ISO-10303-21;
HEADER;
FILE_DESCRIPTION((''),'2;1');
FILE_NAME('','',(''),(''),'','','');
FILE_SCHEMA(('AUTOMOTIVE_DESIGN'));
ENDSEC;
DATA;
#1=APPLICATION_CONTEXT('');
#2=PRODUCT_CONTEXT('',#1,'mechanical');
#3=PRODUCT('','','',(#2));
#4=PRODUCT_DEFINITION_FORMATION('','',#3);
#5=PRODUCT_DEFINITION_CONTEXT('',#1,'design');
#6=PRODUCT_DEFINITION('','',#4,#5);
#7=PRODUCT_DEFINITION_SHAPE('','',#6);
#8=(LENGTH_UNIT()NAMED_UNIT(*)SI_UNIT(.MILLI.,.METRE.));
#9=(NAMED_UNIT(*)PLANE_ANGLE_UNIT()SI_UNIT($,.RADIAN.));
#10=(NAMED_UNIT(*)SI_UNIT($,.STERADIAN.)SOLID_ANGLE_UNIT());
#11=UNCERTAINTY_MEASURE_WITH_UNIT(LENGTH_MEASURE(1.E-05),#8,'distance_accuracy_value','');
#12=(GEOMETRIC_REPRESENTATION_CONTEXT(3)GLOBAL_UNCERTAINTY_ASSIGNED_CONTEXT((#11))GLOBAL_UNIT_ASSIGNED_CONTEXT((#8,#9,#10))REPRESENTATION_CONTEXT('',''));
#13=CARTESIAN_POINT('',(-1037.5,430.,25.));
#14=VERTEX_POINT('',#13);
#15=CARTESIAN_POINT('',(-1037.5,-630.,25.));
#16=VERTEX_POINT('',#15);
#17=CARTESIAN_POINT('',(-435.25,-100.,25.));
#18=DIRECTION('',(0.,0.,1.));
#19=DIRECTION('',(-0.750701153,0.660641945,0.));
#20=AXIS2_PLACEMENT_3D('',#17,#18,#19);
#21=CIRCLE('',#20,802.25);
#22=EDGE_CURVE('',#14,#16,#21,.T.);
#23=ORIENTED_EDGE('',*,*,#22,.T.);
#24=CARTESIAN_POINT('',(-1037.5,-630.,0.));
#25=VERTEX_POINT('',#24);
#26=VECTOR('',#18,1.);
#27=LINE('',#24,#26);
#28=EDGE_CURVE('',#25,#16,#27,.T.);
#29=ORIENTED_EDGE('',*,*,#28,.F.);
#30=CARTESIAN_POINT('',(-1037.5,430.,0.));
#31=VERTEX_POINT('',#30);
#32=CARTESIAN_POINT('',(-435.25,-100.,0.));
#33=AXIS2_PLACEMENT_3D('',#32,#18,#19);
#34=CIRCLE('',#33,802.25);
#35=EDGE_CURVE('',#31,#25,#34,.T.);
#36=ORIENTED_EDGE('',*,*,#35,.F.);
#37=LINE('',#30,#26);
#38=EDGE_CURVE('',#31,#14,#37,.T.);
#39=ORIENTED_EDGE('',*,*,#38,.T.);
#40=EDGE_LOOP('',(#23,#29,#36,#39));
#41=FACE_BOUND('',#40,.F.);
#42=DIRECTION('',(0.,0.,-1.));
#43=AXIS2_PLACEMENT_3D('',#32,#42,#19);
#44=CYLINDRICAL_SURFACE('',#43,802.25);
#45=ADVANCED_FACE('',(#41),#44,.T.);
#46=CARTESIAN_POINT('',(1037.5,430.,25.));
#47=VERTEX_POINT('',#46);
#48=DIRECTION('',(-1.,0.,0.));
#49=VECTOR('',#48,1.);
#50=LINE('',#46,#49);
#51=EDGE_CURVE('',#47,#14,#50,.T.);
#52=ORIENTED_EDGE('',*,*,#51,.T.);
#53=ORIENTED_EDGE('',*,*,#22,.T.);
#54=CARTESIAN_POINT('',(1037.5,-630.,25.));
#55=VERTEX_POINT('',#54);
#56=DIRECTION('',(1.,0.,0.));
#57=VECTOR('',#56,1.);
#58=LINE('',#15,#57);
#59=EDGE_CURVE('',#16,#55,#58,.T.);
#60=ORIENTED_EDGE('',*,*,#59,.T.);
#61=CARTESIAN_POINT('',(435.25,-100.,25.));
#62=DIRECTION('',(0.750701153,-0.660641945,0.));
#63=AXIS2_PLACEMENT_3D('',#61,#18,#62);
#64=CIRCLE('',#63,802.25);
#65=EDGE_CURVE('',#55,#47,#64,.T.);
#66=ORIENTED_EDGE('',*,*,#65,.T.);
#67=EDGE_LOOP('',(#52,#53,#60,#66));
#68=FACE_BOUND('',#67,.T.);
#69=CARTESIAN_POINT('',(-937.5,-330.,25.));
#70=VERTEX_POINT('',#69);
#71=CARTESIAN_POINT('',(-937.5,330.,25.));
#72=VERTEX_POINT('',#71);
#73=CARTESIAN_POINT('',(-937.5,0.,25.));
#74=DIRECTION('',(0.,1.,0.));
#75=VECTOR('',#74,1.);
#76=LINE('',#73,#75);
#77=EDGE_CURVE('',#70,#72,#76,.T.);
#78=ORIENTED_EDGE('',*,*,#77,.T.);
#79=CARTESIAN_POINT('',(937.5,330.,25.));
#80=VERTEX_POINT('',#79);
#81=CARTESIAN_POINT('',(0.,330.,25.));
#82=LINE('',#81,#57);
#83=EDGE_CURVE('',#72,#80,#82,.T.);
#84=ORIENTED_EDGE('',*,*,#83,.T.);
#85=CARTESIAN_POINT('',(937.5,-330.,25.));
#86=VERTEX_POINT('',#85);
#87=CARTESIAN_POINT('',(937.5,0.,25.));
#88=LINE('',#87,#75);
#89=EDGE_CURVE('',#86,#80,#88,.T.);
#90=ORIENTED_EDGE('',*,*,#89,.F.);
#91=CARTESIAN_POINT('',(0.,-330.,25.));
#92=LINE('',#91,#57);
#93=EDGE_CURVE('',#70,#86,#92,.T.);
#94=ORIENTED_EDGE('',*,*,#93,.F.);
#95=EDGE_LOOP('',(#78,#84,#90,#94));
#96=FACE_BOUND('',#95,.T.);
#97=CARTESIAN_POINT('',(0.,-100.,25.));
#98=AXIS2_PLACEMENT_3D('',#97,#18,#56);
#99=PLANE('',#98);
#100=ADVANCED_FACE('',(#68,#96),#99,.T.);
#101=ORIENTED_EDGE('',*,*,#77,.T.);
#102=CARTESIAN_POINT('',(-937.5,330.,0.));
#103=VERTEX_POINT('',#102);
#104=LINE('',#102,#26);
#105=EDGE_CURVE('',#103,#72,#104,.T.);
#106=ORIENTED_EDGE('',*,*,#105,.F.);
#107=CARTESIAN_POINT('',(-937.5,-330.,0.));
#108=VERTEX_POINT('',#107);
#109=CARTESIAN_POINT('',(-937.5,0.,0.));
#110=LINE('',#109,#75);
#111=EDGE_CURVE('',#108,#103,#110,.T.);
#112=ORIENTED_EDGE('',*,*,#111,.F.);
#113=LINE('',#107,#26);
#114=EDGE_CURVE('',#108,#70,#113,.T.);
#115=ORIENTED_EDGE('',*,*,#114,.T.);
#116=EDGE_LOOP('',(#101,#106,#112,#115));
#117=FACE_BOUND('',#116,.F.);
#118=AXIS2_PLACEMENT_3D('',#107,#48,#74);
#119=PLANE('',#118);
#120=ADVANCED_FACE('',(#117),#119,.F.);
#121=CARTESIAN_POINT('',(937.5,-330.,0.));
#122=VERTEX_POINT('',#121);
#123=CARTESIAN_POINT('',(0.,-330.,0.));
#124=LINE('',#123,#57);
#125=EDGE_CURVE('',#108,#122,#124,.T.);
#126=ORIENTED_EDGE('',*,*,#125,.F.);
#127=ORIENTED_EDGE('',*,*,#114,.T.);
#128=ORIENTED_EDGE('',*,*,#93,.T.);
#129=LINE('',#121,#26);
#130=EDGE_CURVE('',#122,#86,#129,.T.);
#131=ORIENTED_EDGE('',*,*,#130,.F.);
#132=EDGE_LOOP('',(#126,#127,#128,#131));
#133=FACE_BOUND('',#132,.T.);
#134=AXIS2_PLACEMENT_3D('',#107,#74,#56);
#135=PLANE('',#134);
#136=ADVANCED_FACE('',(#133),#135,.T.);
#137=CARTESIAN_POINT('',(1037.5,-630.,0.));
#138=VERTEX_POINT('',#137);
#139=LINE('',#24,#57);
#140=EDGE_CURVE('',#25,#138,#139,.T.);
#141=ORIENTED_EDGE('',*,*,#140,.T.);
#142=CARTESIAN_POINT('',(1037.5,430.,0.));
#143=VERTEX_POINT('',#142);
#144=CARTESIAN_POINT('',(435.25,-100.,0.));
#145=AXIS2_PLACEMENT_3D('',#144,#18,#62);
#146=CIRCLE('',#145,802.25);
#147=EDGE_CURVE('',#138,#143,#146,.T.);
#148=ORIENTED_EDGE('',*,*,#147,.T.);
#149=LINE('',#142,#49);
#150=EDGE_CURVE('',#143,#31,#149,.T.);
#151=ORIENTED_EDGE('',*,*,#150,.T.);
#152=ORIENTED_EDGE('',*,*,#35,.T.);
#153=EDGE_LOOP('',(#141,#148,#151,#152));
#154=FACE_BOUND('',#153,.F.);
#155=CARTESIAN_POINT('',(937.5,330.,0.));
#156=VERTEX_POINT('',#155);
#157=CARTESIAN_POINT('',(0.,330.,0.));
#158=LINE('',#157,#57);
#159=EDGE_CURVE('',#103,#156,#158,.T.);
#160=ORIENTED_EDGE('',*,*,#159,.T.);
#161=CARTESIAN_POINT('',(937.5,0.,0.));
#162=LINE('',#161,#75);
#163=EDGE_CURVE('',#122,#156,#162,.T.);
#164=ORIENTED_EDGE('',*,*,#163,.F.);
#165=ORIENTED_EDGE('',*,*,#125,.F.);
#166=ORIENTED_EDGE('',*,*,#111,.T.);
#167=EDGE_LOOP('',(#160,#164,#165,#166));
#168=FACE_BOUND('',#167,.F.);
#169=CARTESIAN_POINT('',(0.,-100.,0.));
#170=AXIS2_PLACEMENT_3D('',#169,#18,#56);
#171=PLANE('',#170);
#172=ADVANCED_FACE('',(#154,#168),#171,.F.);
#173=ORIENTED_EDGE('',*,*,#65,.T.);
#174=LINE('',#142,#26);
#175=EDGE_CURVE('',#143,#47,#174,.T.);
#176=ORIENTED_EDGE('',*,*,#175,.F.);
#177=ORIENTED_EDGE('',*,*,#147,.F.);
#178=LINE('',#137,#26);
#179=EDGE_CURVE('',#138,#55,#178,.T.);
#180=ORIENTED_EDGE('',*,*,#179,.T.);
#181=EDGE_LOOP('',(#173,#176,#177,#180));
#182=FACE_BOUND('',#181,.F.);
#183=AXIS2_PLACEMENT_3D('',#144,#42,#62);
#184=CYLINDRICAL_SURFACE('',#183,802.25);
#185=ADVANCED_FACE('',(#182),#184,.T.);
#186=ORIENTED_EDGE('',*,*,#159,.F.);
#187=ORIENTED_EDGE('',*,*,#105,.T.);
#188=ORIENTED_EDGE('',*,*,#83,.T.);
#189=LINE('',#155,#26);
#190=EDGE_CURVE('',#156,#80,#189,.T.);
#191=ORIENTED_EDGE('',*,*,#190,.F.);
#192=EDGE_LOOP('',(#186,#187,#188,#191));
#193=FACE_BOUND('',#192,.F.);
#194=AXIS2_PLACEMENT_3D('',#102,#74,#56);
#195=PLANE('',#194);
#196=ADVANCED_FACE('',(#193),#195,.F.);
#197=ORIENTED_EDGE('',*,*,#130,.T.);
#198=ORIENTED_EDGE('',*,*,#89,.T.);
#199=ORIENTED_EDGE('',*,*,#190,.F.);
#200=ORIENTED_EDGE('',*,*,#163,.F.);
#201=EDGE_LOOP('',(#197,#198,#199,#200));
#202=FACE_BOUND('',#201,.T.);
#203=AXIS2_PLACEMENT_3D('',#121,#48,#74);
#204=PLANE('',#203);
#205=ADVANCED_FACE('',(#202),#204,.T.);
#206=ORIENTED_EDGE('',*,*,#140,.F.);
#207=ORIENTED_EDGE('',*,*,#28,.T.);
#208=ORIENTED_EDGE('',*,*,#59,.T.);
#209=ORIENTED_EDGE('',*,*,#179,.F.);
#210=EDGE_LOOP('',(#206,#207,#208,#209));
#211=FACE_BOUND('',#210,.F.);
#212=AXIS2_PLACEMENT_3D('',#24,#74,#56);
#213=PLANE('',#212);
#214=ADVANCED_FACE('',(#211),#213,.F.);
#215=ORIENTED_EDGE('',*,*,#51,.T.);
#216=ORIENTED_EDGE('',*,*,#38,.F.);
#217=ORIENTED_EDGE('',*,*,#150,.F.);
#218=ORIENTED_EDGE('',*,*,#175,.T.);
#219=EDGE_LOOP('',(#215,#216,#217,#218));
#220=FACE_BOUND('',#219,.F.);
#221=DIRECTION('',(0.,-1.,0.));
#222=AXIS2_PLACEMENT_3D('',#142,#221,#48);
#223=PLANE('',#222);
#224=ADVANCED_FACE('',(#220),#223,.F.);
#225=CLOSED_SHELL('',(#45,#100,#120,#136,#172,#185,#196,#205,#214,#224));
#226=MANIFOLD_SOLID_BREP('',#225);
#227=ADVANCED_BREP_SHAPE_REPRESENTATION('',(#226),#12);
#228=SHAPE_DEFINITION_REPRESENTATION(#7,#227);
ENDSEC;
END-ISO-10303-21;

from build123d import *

# Parameters (mm, degrees)
F0_W     = 1875
F0_H     = 660
F1_DEPTH = 25


with BuildPart() as f1:
    # F0 (on Top) → F1 (new body)
    with BuildSketch(Plane.XY):
        with BuildLine():
            Line((1037.5, 430), (-1037.5, 430))
            ThreePointArc((-1037.5, 430), (-1237.5, -100), (-1037.5, -630))
            Line((-1037.5, -630), (1037.5, -630))
            ThreePointArc((1037.5, -630), (1237.5, -100), (1037.5, 430))
        make_face()
        Rectangle(F0_W, F0_H, mode=Mode.SUBTRACT)
    extrude(amount=F1_DEPTH)


solid = f1.part
